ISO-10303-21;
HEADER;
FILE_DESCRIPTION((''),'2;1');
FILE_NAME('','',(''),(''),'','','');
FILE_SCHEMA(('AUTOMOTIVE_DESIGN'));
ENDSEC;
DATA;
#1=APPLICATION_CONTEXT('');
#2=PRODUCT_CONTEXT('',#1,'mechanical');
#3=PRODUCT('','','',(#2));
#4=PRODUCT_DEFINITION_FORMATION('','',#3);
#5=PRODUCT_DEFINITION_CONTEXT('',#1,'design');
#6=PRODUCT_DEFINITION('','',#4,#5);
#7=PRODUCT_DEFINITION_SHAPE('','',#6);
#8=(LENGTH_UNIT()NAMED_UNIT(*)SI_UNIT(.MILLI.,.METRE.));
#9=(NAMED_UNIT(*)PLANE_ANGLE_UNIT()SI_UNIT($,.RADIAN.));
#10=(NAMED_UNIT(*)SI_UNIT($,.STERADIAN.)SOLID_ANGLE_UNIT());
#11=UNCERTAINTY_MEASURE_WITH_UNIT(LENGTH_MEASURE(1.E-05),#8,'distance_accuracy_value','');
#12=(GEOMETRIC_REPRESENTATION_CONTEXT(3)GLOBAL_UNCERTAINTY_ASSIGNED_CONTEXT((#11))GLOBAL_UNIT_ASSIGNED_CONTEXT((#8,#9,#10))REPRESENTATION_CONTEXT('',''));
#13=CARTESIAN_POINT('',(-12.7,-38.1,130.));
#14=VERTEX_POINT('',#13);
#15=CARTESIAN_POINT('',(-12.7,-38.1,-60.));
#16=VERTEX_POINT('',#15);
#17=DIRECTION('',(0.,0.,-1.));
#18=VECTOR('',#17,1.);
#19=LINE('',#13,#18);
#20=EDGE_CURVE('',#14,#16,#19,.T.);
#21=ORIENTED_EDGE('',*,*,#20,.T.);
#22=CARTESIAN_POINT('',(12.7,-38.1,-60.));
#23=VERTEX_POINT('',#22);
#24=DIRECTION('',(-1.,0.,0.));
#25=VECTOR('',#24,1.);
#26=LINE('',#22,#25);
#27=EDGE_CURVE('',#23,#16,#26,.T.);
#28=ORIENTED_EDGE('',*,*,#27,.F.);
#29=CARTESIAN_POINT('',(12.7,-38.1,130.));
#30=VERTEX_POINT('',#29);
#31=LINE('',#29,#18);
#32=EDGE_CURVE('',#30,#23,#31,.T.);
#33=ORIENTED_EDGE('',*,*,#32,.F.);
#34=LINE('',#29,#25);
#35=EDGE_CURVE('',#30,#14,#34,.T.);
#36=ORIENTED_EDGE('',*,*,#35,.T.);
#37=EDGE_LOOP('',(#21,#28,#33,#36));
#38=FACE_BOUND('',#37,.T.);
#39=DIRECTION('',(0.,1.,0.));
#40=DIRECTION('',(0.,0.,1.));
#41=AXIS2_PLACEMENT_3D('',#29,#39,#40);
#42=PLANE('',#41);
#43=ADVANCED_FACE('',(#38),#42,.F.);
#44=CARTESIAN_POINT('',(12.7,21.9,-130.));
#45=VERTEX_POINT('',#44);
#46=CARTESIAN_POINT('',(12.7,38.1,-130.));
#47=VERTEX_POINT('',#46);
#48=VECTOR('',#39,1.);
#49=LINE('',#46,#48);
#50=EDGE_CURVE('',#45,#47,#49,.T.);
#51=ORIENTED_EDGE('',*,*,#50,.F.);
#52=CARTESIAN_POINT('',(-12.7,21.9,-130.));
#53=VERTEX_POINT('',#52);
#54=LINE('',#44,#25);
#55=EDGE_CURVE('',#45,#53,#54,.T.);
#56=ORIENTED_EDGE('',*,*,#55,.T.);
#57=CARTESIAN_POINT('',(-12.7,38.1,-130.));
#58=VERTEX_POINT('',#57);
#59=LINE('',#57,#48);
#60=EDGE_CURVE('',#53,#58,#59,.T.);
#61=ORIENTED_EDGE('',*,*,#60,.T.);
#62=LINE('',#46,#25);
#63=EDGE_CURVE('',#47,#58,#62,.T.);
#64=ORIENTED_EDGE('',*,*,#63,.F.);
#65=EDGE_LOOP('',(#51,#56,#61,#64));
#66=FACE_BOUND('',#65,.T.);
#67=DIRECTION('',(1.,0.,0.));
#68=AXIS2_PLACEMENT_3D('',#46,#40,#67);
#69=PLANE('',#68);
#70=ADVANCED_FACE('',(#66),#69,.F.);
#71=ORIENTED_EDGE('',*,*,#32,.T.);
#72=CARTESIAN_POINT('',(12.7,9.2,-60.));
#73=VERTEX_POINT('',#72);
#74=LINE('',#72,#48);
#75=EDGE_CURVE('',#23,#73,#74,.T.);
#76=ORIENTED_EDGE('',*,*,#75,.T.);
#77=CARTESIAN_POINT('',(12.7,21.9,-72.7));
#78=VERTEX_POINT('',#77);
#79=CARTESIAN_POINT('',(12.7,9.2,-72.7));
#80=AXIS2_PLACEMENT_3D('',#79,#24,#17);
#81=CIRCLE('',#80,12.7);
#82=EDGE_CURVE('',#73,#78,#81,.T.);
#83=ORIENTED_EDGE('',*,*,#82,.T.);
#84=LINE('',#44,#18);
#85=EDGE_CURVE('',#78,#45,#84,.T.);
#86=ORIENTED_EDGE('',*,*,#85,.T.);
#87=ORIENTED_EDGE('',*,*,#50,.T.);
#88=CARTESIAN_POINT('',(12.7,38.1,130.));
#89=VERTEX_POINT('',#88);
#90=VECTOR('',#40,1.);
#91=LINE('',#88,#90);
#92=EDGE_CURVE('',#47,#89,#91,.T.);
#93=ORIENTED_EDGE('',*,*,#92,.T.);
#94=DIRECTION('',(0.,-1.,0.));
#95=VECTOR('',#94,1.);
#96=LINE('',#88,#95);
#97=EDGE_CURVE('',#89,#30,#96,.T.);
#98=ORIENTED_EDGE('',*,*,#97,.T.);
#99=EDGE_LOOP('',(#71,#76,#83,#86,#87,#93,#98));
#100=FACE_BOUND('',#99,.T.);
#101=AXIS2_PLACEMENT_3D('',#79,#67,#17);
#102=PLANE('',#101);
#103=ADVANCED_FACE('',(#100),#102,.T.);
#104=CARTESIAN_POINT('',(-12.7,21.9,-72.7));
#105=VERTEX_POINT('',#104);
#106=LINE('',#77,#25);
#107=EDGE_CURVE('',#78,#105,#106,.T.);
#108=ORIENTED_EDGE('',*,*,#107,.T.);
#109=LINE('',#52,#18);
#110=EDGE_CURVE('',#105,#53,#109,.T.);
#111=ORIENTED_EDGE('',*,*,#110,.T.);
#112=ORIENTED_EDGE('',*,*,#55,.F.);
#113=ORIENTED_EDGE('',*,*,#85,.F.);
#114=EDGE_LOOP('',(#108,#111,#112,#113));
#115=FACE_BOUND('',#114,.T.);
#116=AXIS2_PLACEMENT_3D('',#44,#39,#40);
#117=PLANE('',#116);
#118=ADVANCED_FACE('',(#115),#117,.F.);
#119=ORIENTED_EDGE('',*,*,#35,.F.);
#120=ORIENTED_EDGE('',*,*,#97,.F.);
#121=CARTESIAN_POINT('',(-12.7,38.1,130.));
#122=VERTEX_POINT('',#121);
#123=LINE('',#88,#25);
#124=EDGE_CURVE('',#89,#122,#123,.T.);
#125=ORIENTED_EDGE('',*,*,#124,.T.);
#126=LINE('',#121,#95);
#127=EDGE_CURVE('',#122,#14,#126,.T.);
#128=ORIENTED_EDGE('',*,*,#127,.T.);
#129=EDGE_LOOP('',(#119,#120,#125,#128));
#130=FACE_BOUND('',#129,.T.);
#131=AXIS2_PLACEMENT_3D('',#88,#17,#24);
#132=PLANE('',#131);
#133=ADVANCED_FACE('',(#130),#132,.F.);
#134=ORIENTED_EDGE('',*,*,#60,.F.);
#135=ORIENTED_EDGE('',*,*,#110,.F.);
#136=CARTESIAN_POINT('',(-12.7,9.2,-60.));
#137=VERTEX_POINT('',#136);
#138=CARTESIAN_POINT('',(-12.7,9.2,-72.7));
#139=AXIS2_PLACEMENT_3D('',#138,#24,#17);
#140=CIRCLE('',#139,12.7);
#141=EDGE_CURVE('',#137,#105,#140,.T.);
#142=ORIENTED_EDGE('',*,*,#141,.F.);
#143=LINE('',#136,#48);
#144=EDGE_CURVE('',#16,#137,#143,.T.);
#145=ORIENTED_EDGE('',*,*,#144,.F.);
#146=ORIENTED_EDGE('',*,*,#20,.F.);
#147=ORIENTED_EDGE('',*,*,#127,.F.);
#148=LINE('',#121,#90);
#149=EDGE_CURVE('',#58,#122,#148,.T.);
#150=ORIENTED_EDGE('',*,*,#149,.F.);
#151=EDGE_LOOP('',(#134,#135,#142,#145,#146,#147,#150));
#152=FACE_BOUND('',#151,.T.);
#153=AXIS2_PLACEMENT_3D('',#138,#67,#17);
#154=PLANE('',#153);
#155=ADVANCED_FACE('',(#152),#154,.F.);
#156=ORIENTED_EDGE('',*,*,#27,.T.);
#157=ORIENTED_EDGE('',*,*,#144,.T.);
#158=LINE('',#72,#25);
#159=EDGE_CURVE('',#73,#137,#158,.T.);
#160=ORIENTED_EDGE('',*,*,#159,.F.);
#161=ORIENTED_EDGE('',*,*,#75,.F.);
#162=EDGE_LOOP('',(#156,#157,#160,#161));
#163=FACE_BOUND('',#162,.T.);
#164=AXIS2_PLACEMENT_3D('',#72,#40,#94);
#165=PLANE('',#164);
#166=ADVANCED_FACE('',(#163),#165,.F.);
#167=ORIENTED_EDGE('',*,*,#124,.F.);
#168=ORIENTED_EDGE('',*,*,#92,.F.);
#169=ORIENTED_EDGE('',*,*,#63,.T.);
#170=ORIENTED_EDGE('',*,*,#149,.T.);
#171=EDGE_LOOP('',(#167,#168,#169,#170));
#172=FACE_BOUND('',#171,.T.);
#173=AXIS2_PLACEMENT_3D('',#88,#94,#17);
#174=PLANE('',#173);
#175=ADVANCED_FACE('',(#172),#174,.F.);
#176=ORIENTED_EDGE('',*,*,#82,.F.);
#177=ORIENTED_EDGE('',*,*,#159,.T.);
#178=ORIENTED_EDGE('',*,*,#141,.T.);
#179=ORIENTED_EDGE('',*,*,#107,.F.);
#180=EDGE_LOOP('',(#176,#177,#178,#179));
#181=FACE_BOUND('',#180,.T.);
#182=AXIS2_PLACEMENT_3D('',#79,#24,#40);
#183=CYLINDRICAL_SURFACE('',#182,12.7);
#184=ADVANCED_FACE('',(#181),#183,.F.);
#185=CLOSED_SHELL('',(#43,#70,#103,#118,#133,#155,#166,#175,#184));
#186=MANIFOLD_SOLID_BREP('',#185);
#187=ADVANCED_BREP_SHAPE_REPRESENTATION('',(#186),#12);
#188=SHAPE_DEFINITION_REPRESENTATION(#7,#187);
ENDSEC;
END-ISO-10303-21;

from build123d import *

# Parameters (mm, degrees)
BOSS_EXTRUDE1_DEPTH = 12.7


with BuildPart() as part:
    # Sketch2 → Boss-Extrude1 (new, symmetric)
    with BuildSketch(Plane(origin=(0, 0, 0), x_dir=(0, 0, -1), z_dir=(1, 0, 0))):
        with BuildLine():
            Line((-130, 38.1), (130, 38.1))
            Line((130, 38.1), (130, 21.9))
            Line((130, 21.9), (72.7, 21.9))
            ThreePointArc((72.7, 21.9), (63.719743879, 18.180256121), (60, 9.2))
            Line((60, 9.2), (60, -38.1))
            Line((60, -38.1), (-130, -38.1))
            Line((-130, -38.1), (-130, 38.1))
        make_face()
    extrude(amount=BOSS_EXTRUDE1_DEPTH, both=True)


solid = part.part
